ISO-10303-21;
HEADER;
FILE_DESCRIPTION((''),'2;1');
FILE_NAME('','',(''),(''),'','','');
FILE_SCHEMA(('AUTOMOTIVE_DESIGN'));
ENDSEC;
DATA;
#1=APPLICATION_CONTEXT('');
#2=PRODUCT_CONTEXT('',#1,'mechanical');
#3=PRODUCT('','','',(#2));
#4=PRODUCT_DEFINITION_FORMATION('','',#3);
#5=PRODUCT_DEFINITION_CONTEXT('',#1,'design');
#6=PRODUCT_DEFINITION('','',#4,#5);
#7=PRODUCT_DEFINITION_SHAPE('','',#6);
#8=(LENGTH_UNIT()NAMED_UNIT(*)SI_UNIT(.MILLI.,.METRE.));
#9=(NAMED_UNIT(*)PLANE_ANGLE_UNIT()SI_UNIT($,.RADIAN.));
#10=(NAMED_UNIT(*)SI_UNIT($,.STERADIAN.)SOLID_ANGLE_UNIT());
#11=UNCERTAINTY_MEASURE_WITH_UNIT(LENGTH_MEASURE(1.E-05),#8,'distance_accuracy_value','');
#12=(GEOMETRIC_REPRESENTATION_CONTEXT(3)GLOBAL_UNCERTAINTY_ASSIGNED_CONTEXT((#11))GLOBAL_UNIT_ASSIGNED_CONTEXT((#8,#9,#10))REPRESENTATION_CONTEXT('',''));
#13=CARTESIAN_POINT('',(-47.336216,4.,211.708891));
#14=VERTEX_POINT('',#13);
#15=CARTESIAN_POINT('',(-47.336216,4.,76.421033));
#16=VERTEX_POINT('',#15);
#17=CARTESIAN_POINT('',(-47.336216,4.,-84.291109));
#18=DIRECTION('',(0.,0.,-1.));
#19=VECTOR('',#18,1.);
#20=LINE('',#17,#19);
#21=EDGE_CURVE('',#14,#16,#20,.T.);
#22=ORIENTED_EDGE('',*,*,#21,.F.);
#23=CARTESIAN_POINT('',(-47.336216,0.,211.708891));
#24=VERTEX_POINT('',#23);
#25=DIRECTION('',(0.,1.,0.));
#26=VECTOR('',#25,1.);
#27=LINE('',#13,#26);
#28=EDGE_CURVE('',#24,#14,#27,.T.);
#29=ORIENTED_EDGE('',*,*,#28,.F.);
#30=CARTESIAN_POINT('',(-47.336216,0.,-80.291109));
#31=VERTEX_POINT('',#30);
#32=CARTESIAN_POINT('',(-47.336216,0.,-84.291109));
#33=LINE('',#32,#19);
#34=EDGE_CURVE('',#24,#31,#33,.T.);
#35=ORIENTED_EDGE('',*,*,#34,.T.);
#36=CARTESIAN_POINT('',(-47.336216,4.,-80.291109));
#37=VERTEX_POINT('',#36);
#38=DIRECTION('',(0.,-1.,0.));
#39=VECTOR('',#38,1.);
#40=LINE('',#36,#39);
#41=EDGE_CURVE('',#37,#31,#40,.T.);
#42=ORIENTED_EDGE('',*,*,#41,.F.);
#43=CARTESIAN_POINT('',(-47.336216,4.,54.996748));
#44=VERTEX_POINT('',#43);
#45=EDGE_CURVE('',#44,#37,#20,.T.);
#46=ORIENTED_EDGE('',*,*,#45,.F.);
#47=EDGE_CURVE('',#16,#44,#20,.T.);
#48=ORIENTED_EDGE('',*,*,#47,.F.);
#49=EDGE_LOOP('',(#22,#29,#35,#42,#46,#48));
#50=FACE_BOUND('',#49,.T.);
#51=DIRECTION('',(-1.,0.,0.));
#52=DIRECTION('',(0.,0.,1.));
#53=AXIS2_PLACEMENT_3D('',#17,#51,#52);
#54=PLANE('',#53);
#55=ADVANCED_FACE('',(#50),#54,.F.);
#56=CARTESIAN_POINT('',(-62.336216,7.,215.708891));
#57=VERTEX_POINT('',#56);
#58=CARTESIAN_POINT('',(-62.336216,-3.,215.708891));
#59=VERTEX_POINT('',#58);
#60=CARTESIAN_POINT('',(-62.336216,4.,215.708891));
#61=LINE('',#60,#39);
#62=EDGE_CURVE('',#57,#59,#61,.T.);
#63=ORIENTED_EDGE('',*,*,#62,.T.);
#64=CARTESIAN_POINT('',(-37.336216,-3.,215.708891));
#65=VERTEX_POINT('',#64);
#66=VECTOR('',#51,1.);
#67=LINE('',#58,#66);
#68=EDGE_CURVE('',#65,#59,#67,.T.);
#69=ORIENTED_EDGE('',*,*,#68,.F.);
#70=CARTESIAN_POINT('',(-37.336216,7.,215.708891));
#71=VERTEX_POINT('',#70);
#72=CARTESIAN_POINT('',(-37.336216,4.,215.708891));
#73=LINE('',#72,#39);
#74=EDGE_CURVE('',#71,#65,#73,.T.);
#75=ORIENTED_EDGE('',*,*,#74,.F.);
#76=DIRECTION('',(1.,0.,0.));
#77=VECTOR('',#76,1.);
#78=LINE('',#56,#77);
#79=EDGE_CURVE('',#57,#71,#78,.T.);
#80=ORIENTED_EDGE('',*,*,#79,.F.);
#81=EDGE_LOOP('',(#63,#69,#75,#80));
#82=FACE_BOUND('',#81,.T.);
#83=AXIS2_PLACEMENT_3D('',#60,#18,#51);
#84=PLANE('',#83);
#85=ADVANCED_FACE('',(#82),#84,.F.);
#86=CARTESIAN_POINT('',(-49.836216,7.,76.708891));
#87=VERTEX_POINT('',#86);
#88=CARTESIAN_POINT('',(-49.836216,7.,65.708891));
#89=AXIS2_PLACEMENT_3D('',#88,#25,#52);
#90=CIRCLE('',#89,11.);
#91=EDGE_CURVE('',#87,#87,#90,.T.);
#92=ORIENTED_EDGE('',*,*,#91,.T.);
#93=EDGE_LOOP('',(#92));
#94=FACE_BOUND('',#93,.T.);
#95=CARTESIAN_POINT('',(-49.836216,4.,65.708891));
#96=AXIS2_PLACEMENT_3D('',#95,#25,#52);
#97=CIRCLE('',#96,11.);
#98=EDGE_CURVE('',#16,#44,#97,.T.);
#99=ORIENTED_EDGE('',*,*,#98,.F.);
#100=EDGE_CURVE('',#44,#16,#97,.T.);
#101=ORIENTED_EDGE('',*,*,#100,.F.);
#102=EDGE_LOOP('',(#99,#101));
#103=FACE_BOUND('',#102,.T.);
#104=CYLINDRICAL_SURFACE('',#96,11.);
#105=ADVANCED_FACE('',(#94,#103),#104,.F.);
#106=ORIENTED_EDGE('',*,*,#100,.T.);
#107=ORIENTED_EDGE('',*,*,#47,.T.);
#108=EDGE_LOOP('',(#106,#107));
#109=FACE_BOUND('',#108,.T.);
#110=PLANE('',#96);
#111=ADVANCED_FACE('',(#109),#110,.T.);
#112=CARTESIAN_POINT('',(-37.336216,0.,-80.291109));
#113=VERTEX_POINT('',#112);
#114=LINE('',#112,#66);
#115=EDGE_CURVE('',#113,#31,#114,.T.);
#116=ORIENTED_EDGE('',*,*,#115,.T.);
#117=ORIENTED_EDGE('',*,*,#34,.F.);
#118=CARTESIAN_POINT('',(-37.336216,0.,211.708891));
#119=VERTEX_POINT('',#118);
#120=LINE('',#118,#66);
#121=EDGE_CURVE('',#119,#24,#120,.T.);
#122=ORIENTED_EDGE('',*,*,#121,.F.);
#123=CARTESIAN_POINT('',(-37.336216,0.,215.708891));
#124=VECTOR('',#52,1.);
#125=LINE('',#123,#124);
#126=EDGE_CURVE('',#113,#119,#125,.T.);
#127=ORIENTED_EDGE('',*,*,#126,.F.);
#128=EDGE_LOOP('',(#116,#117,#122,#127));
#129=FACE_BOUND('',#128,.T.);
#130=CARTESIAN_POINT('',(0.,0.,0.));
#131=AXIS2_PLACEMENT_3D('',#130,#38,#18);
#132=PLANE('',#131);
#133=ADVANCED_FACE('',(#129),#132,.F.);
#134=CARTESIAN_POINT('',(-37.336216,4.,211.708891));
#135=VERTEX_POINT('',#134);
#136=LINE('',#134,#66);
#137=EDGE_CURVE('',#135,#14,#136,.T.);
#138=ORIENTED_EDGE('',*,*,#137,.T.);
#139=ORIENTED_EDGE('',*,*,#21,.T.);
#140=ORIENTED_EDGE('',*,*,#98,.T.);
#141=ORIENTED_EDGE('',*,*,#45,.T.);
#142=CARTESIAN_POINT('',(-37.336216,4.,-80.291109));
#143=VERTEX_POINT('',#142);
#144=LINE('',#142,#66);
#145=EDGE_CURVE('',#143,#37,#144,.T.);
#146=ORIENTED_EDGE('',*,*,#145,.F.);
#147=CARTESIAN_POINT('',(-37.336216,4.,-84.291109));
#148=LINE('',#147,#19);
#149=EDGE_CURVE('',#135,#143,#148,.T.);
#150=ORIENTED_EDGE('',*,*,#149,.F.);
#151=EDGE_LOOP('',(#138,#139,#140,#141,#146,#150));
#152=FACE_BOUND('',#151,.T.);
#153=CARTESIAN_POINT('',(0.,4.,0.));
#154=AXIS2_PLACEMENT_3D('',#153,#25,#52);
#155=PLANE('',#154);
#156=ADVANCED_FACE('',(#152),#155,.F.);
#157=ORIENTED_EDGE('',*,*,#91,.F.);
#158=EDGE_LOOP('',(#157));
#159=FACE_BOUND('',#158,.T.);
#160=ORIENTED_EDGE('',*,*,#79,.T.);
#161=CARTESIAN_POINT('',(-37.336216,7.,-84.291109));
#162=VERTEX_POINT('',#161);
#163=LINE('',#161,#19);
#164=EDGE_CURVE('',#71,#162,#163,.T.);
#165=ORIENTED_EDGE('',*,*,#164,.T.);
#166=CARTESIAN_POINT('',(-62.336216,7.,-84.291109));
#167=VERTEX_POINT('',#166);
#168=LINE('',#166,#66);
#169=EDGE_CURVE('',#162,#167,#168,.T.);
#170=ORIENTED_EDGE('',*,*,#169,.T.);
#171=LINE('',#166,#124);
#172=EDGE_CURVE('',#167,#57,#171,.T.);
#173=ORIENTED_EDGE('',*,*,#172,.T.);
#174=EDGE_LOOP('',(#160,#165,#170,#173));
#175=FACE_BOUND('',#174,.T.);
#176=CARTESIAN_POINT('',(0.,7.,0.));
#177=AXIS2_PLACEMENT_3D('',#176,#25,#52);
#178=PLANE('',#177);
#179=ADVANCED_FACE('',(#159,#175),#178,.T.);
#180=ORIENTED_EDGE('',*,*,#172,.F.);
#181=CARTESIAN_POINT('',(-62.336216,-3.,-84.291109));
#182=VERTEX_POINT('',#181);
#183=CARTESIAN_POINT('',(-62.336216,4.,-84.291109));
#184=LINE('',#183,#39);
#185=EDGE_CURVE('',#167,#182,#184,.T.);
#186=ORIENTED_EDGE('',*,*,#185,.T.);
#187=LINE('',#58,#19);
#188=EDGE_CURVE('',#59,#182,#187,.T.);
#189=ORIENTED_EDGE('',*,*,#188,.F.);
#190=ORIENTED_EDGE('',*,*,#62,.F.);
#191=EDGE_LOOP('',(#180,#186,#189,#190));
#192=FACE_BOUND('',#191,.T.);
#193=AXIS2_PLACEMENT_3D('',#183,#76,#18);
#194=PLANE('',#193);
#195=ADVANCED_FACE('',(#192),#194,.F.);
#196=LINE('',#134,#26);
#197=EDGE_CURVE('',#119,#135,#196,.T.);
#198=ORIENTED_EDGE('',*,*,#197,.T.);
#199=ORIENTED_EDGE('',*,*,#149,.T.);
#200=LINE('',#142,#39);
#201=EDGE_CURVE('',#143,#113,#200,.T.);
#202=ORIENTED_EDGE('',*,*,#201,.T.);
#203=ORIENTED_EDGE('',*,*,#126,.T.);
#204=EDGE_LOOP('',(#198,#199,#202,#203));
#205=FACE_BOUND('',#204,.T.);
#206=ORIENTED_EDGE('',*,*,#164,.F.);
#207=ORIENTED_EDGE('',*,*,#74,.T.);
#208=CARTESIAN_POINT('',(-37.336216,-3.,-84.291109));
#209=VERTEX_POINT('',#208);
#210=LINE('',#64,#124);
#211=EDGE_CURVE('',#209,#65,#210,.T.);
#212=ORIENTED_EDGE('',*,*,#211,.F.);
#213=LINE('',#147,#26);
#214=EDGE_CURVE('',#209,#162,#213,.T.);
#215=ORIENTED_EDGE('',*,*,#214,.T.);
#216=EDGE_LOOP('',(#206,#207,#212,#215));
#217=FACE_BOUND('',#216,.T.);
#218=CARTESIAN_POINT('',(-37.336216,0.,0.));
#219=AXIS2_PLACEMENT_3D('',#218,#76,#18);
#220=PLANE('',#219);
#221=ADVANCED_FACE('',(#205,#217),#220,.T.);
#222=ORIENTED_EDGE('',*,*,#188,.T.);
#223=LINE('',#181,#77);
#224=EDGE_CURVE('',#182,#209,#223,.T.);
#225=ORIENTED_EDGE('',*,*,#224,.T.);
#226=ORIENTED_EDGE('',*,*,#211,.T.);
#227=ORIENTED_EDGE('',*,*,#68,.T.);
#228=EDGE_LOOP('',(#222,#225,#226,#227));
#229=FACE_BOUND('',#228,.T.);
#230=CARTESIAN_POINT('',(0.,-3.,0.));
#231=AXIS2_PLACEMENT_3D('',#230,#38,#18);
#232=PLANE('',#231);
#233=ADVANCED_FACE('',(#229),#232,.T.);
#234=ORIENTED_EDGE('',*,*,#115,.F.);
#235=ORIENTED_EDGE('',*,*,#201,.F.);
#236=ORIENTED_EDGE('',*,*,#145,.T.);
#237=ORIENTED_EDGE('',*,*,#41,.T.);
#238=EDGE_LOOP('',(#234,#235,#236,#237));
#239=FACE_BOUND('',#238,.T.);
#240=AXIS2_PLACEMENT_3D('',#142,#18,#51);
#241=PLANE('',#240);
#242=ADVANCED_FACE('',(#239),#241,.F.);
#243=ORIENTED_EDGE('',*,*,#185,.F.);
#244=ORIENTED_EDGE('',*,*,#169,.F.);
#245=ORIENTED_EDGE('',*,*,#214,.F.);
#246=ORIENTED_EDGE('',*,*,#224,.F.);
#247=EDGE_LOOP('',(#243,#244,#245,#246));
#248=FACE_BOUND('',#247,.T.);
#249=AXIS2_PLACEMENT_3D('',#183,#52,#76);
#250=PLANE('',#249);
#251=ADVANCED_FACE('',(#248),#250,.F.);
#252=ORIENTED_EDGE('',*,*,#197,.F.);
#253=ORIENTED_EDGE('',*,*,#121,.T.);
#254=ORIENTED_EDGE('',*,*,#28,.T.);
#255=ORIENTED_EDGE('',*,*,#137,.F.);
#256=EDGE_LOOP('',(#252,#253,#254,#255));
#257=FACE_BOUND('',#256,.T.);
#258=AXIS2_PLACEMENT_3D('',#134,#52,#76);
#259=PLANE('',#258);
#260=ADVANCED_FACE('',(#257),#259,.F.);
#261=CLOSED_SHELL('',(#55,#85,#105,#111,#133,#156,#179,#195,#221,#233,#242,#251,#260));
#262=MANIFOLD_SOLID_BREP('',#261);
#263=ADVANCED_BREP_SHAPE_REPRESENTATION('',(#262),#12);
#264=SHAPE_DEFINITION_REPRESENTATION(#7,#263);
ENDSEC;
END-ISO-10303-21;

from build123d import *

# Parameters (mm, degrees)
SKETCH_1_W          = 15
SKETCH_1_H          = 300
EXTRUDE_1_DEPTH     = 4
SKETCH_2_W          = 4
SKETCH_2_H          = 4
EXTRUDE_2_DEPTH     = 10
SKETCH_3_W          = 25
SKETCH_3_H          = 300
EXTRUDE_3_DEPTH     = 3
SKETCH_4_W          = 25
SKETCH_4_H          = 300
EXTRUDE_4_DEPTH     = 3
SKETCH_5_R          = 11
CUT_EXTRUDE_1_DEPTH = 3


with BuildPart() as part:
    # 草图1 → 凸台-拉伸1 (new body)
    with BuildSketch(Plane(origin=(0, 0, 0), x_dir=(1, 0, 0), z_dir=(0, 1, 0))):
        with Locations((-54.836215811, -65.70889057)):
            Rectangle(SKETCH_1_W, SKETCH_1_H)
    extrude(amount=EXTRUDE_1_DEPTH)

    # 草图2 → 凸台-拉伸2 (add)
    with BuildSketch(Plane(origin=(-47.336215811, 0, 0), x_dir=(0, 0, -1), z_dir=(1, 0, 0))):
        with Locations((-213.70889057, 2)):
            Rectangle(SKETCH_2_W, SKETCH_2_H)
        with Locations((82.29110943, 2)):
            Rectangle(SKETCH_2_W, SKETCH_2_H)
    extrude(amount=EXTRUDE_2_DEPTH)

    # 草图3 → 凸台-拉伸3 (add)
    with BuildSketch(Plane(origin=(0, 4, 0), x_dir=(1, 0, 0), z_dir=(0, 1, 0))):
        with Locations((-49.836215811, -65.70889057)):
            Rectangle(SKETCH_3_W, SKETCH_3_H)
    extrude(amount=EXTRUDE_3_DEPTH)

    # 草图4 → 凸台-拉伸4 (add)
    with BuildSketch(Plane.XZ):
        with Locations((-49.836215811, 65.70889057)):
            Rectangle(SKETCH_4_W, SKETCH_4_H)
    extrude(amount=EXTRUDE_4_DEPTH)

    # 草图5 → 切除-拉伸1 (cut)
    with BuildSketch(Plane(origin=(0, 7, 0), x_dir=(1, 0, 0), z_dir=(0, 1, 0))):
        with Locations(Location((-49.836215811, -65.70889057, 0), (0, 0, 270))):
            Circle(SKETCH_5_R)
    extrude(amount=-CUT_EXTRUDE_1_DEPTH, mode=Mode.SUBTRACT)


solid = part.part
